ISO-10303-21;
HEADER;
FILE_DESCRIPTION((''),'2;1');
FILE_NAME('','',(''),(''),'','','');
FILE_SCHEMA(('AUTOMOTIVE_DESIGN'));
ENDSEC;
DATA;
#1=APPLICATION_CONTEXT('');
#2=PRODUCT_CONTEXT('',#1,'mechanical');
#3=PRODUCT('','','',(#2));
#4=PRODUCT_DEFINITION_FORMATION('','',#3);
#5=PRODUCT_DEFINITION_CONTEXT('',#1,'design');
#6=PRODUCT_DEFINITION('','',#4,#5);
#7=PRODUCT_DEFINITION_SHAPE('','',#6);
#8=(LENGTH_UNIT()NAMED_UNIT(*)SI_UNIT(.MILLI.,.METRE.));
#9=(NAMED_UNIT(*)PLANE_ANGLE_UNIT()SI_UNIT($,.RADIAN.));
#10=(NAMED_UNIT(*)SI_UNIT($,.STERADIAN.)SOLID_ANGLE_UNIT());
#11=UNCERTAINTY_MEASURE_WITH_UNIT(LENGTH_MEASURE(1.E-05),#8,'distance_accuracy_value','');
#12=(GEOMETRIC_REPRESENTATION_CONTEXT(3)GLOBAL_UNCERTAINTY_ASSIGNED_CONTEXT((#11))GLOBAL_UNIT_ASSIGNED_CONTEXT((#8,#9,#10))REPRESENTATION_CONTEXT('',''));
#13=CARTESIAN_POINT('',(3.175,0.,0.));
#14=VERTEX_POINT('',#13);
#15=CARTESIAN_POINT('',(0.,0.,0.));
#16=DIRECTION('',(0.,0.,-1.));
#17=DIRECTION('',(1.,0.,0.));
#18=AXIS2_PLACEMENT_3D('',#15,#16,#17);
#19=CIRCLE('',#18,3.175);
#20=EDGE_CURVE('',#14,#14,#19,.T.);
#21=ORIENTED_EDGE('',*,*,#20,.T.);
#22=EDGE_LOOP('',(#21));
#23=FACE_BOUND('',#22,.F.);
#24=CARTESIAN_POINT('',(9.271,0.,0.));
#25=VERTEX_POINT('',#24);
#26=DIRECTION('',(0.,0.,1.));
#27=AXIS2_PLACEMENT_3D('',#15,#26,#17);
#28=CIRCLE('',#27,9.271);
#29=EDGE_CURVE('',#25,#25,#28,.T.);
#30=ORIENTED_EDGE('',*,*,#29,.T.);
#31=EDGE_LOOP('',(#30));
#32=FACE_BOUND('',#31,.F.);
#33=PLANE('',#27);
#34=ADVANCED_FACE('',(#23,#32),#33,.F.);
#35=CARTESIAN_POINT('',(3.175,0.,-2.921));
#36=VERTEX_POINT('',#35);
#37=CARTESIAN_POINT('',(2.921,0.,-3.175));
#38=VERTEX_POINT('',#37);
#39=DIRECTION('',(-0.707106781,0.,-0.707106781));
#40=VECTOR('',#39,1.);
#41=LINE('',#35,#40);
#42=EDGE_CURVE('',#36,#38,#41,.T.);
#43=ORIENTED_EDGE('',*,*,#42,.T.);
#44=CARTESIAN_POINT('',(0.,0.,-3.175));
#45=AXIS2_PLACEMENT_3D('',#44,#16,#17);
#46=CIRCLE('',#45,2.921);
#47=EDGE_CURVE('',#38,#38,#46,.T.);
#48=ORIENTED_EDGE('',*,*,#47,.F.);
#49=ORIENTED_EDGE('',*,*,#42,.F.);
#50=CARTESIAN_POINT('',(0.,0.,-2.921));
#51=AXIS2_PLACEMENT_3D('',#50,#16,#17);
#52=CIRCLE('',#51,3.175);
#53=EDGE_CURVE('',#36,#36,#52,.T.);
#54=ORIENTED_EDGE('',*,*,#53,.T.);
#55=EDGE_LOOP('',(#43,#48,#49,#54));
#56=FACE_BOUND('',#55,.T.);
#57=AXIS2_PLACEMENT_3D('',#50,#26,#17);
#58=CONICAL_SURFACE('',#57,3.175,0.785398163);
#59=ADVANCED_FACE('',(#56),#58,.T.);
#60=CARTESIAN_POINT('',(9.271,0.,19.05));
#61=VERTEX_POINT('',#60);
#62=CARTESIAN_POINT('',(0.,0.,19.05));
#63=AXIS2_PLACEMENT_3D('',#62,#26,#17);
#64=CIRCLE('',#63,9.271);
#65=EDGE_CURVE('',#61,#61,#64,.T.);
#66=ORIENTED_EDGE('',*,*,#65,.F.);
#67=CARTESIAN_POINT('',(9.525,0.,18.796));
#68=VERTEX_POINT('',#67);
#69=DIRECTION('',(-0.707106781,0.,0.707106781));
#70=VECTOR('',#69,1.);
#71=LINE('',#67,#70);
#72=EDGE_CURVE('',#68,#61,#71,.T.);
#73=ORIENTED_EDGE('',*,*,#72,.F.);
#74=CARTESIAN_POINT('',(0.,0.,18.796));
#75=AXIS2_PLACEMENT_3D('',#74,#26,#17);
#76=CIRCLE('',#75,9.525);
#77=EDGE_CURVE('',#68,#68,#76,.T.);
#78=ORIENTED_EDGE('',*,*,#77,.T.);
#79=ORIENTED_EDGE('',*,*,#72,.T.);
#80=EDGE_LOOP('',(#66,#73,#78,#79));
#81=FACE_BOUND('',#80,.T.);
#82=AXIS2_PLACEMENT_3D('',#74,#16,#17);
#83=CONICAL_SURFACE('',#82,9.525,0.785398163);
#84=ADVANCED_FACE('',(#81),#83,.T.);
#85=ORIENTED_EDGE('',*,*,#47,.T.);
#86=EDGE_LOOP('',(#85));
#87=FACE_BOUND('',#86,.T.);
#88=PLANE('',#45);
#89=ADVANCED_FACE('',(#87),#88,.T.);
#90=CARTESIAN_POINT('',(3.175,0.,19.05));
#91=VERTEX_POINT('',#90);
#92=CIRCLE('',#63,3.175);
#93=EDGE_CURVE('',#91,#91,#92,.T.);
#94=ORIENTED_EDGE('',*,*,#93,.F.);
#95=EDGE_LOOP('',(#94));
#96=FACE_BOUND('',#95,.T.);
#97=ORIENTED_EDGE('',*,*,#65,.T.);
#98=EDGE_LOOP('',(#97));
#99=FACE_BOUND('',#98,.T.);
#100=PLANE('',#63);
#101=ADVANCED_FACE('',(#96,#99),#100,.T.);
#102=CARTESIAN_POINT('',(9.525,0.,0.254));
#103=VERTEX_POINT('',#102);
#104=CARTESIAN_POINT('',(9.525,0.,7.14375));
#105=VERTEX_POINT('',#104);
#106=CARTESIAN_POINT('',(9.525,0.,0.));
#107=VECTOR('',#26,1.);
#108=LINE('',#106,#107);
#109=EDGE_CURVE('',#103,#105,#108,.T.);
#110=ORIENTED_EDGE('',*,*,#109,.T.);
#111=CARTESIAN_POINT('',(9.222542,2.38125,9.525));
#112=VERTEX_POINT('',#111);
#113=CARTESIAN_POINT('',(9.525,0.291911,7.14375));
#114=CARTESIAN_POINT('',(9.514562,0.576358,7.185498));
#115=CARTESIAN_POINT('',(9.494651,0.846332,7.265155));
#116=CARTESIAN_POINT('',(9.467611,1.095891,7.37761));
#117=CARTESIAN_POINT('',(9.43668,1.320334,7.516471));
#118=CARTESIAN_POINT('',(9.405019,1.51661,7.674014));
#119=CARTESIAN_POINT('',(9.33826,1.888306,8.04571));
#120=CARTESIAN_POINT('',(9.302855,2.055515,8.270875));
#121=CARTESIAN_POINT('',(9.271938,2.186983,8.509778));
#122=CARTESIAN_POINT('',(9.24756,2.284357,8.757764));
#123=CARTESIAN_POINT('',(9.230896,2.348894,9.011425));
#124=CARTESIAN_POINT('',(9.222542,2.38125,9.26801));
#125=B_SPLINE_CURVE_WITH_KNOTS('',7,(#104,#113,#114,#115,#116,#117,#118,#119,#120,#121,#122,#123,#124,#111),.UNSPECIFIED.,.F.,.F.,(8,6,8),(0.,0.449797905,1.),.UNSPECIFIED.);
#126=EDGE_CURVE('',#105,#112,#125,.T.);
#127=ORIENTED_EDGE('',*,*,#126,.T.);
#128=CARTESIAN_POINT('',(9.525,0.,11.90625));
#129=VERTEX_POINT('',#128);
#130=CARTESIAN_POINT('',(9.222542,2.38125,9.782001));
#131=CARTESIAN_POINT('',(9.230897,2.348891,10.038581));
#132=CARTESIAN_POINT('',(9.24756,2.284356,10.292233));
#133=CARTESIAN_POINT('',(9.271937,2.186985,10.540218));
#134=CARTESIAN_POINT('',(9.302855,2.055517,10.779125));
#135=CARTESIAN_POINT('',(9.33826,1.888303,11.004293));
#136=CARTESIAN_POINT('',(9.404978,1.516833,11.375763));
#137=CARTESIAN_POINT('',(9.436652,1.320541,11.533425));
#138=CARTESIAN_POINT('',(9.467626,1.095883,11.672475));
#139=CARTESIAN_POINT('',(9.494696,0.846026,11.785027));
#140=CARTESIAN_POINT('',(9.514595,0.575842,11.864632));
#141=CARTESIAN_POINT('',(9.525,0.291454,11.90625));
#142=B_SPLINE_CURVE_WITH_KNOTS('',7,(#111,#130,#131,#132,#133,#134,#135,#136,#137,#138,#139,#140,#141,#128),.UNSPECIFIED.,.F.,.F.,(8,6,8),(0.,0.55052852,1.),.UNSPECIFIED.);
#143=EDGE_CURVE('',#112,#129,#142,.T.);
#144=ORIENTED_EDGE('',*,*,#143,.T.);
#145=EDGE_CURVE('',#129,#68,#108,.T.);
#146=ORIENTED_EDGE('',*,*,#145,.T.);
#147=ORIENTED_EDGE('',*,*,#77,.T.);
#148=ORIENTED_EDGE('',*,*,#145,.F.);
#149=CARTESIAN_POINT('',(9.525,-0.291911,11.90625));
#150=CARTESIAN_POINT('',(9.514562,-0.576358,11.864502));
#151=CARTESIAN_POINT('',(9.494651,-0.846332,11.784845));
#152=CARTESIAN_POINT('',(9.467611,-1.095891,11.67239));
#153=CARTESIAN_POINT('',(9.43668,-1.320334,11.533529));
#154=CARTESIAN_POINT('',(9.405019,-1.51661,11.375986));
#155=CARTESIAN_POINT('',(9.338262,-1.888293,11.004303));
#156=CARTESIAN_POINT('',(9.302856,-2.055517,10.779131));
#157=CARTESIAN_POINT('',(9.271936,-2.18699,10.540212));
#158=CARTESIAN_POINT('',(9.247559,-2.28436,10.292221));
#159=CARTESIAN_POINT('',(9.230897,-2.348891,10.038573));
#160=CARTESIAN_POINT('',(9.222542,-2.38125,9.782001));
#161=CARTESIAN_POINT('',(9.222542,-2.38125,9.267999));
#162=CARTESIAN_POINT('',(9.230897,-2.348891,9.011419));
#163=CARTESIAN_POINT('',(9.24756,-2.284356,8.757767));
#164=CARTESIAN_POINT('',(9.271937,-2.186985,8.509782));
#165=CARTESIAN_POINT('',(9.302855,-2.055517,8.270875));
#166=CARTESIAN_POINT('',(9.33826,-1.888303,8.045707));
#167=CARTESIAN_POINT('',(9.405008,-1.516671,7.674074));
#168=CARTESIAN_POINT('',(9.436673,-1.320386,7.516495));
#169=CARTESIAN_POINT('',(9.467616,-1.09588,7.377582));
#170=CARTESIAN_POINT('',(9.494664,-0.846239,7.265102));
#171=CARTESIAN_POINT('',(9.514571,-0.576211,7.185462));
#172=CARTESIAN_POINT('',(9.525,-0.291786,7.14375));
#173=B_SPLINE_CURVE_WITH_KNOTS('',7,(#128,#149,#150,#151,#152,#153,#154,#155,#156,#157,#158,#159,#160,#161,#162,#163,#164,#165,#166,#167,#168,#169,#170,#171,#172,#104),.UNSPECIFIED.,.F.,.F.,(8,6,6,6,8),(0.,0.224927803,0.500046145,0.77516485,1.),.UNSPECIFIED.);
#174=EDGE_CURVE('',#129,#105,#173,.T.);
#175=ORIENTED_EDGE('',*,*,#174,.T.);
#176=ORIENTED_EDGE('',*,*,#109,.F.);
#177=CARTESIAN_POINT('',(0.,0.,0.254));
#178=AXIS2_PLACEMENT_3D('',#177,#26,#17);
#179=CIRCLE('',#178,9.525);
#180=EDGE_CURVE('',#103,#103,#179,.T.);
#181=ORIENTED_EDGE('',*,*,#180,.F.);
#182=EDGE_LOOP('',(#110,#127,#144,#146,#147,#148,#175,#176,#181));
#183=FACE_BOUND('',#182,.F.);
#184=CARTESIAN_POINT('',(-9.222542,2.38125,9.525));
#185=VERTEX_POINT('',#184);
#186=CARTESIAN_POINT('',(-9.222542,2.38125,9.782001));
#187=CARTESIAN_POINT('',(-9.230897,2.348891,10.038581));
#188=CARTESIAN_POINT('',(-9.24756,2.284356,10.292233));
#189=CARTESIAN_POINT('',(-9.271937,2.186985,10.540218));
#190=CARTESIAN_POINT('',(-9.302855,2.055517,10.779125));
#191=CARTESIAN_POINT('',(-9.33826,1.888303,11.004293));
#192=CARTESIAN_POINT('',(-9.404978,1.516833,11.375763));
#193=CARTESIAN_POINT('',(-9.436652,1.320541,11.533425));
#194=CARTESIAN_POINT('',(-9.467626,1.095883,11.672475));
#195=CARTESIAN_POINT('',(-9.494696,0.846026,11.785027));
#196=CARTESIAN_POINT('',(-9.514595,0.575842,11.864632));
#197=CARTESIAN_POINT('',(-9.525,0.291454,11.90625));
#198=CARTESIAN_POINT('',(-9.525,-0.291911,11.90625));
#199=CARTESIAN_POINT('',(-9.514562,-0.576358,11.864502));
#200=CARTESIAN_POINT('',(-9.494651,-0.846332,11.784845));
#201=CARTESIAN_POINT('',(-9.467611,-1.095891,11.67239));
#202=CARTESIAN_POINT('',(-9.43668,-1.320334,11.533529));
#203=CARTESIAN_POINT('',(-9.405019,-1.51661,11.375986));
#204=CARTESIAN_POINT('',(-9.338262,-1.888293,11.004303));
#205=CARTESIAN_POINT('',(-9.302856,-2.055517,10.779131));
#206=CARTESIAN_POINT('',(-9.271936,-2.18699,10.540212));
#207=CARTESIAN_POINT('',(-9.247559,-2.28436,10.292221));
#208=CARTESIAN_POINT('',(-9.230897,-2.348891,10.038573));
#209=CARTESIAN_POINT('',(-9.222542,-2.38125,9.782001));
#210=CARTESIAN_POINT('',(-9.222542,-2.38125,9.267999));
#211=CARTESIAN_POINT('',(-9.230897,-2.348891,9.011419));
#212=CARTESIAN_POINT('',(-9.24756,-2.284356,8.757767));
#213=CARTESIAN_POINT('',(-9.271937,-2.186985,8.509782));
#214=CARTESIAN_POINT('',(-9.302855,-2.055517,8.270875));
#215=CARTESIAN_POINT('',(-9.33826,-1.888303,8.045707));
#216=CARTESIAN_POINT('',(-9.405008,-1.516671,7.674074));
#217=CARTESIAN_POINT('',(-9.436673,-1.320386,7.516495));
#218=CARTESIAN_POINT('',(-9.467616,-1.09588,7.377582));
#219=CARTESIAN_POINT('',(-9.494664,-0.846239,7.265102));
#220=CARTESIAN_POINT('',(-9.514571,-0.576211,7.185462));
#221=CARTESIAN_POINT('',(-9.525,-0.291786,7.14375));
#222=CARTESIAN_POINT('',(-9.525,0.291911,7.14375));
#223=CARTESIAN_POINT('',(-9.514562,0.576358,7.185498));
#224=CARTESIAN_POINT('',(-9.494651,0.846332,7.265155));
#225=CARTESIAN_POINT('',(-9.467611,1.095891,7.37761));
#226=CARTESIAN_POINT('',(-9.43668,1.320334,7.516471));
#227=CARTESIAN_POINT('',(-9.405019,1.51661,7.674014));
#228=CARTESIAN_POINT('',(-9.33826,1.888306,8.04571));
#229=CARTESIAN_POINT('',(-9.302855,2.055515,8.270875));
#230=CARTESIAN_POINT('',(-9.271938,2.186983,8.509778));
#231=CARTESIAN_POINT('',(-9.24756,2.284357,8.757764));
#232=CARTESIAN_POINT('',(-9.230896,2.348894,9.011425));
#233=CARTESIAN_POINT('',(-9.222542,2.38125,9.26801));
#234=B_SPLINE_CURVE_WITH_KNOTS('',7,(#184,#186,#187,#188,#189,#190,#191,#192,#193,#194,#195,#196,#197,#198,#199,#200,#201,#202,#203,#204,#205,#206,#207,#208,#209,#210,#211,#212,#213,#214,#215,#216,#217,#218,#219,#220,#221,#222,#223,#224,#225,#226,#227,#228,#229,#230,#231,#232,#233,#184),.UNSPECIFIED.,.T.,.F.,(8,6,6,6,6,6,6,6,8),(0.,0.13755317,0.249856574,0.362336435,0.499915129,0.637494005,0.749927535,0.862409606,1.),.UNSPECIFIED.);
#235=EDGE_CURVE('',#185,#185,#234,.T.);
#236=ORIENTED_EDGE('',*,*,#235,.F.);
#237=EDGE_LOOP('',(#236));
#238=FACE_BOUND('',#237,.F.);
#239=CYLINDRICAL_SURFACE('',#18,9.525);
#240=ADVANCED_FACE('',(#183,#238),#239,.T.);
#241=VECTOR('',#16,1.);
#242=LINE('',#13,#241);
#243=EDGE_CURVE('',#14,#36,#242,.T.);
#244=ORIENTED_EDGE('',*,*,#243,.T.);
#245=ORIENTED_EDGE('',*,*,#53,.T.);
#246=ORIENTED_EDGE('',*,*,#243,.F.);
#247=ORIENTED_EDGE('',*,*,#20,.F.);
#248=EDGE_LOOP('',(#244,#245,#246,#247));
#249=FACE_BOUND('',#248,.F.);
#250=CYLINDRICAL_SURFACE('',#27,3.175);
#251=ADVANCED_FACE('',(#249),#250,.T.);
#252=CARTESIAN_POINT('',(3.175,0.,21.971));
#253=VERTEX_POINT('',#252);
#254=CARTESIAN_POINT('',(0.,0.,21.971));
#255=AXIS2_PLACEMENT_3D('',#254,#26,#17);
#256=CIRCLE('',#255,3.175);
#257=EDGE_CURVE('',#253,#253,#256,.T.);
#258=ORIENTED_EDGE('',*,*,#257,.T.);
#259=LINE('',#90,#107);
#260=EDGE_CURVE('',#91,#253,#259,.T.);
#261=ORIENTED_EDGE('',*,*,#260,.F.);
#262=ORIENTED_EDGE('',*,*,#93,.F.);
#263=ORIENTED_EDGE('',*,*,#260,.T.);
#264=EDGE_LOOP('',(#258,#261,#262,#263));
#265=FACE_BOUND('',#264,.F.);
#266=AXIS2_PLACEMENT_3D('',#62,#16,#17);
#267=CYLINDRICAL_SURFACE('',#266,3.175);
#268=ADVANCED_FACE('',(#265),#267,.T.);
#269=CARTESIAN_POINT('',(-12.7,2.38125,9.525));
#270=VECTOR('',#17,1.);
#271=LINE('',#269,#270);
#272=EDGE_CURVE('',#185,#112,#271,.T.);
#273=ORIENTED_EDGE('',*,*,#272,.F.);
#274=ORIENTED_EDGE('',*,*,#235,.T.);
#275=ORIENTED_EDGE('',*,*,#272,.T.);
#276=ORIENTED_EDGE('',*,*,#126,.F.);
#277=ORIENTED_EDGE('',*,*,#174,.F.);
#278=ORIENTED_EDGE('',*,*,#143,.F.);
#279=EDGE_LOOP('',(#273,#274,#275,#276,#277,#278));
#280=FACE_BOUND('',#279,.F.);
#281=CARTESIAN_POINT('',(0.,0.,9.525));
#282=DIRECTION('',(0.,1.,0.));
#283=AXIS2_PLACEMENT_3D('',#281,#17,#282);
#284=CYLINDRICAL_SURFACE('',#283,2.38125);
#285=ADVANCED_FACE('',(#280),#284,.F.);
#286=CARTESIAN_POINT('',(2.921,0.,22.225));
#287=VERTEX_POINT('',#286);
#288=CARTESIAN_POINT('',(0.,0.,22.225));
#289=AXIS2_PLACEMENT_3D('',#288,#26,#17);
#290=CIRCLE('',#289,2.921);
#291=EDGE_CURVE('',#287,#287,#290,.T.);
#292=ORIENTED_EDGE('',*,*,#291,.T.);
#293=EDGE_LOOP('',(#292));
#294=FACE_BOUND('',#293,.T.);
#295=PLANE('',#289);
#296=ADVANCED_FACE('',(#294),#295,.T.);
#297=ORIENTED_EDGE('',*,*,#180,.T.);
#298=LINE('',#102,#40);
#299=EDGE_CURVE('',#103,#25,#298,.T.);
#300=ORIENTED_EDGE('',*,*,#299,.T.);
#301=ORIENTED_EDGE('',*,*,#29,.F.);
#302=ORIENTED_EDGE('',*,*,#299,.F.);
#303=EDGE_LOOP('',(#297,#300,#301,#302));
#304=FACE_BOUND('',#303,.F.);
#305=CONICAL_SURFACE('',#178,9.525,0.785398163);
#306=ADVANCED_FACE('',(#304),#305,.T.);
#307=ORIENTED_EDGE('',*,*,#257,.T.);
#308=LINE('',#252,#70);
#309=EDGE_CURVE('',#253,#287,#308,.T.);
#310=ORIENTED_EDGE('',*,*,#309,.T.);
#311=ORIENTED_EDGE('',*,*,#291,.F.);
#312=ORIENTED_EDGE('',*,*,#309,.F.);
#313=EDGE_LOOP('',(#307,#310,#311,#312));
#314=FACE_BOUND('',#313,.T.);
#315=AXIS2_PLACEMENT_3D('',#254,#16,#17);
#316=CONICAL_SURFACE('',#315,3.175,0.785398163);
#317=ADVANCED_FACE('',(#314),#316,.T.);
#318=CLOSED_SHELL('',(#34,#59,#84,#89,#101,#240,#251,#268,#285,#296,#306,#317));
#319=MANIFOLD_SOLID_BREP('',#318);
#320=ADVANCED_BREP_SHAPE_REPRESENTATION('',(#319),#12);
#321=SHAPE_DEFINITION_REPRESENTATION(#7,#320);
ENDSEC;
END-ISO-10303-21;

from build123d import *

# Parameters (mm, degrees)
F0_R     = 9.525
F1_DEPTH = 19.05
F2_R     = 3.175
F3_DEPTH = 3.175
F4_R     = 3.175
F5_DEPTH = 3.175
F6_SIZE  = 0.254
F7_R     = 2.38125
F8_DEPTH = 12.7


with BuildPart() as f1:
    # F0 (on Top) → F1 (new body)
    with BuildSketch(Plane.XY):
        Circle(F0_R)
    extrude(amount=F1_DEPTH)

    # F2 (on face) → F3 (join)
    with BuildSketch(Plane(origin=(0, 0, 0), x_dir=(1, 0, 0), z_dir=(0, 0, -1))):
        Circle(F2_R)
    extrude(amount=F3_DEPTH)

    # F4 (on face) → F5 (join)
    with BuildSketch(Plane.XY.offset(19.05)):
        Circle(F4_R)
    extrude(amount=F5_DEPTH)

    # F6
    f6_edges = [f1.edges().sort_by_distance(p)[0] for p in [
        (-9.525, 0, 19.05),
        (-3.175, 0, -3.175),
        (-9.525, 0, 0),
        (-3.175, 0, 22.225),
    ]]
    chamfer(f6_edges, length=F6_SIZE)

    # F7 (on Right) → F8 (cut, symmetric)
    with BuildSketch(Plane.YZ):
        with Locations((0, 9.525)):
            Circle(F7_R)
    extrude(amount=F8_DEPTH, both=True, mode=Mode.SUBTRACT)


solid = f1.part
